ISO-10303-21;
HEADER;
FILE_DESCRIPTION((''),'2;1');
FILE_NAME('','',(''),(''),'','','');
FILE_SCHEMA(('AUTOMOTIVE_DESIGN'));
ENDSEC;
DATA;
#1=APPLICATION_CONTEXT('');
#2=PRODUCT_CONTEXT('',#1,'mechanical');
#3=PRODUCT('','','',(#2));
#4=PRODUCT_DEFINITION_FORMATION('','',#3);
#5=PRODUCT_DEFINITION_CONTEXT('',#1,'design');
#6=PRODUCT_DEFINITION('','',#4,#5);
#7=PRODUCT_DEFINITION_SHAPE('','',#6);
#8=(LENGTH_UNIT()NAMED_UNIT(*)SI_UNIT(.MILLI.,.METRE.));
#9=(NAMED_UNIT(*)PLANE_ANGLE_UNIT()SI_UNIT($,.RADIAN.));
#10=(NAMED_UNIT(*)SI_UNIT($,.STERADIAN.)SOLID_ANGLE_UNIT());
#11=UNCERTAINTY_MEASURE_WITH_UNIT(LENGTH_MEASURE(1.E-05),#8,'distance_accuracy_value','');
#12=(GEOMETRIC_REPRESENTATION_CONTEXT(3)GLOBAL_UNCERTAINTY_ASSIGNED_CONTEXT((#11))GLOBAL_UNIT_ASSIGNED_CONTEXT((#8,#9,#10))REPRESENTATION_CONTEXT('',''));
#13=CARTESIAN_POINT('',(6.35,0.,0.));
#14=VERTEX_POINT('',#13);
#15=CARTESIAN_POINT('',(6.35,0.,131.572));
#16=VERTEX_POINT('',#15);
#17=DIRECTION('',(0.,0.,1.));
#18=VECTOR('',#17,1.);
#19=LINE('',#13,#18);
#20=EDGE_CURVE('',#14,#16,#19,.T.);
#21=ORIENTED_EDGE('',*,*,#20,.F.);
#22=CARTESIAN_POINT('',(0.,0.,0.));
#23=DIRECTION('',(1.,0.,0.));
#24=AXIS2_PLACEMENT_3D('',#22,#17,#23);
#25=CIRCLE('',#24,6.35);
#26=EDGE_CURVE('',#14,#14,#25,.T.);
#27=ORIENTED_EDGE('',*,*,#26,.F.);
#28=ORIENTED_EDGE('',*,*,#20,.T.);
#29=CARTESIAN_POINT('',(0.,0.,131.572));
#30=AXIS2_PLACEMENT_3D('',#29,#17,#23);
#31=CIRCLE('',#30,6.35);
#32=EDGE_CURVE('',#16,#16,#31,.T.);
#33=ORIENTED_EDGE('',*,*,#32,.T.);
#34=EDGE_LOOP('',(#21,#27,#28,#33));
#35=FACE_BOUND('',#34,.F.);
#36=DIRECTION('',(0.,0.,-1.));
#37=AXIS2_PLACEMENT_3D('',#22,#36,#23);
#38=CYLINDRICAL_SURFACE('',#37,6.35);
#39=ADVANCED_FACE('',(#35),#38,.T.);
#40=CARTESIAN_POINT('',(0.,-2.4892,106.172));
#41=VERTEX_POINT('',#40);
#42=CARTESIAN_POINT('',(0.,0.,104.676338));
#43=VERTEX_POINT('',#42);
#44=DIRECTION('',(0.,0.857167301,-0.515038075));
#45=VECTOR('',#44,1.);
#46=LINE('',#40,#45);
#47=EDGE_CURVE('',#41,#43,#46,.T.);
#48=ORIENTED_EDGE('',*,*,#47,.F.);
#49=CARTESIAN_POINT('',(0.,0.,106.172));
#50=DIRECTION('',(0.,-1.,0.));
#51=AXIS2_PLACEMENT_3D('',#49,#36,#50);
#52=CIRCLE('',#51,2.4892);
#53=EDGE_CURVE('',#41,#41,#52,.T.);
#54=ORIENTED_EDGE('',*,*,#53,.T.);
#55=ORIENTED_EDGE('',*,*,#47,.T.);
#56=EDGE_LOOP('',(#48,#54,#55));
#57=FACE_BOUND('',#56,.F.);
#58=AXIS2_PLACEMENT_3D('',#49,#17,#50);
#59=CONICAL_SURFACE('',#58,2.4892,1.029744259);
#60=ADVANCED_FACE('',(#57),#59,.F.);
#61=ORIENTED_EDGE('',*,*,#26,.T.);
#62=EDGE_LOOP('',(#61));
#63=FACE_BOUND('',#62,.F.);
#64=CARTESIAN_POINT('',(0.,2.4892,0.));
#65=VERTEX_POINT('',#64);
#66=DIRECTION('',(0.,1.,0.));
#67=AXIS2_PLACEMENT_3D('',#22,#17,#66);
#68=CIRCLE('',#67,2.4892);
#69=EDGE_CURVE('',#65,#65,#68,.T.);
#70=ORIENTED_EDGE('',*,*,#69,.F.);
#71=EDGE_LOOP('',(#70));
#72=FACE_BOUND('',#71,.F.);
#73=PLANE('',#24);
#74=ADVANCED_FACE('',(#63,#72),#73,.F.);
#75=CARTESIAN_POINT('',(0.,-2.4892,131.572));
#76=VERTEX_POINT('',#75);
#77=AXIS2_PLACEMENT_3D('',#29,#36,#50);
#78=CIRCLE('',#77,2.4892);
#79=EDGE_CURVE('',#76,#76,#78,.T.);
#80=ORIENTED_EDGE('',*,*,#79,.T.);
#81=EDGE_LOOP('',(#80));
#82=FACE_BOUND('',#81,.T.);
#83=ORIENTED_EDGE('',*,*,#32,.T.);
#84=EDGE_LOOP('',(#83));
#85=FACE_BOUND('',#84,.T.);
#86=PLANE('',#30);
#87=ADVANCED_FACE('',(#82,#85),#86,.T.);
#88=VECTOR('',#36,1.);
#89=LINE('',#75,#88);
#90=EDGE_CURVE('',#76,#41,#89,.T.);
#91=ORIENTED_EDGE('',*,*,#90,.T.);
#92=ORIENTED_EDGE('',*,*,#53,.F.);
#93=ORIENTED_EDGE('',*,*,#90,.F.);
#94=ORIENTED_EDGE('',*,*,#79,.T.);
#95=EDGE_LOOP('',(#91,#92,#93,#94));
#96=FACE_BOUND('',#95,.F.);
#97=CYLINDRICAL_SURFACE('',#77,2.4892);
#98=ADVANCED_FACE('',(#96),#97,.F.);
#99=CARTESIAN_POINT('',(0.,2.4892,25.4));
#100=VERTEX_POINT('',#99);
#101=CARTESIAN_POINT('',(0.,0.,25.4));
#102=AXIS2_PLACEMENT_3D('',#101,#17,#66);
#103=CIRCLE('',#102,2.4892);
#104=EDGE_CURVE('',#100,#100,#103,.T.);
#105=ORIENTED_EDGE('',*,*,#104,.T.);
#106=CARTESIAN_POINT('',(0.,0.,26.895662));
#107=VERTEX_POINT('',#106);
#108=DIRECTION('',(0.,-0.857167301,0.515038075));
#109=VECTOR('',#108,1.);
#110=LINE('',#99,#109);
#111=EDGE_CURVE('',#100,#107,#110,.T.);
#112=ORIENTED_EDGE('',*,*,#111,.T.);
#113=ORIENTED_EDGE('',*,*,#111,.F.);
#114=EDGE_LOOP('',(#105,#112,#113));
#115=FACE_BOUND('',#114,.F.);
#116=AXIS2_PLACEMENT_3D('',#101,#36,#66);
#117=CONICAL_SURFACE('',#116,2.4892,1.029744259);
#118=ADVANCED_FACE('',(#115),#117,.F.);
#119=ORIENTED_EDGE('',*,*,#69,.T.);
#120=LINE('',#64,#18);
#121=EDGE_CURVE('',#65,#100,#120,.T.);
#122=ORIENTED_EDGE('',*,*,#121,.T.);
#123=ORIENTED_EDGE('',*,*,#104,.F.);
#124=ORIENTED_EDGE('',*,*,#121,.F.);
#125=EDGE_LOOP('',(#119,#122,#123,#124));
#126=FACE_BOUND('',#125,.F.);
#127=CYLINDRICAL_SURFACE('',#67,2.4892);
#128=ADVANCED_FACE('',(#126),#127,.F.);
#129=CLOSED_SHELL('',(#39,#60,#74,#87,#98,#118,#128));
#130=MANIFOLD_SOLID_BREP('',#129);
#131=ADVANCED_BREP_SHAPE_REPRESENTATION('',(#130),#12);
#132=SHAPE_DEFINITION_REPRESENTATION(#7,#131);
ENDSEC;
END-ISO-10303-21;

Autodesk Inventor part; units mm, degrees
ref_plane "YZ Plane" through (0, 0, 0) normal (1, 0, 0) x (0, 1, 0)
ref_plane "XZ Plane" through (0, 0, 0) normal (0, 1, 0) x (-1, 0, 0)
ref_plane "XY Plane" through (0, 0, 0) normal (0, 0, 1) x (1, 0, 0)
sketch "Sketch1" plane through (0, 0, 0) normal (0, 0, 1) x (1, 0, 0)
  circle A0 centre (0, 0) radius 6.35
  dimension "d0" = 12.7
extrude "Extrusion1" add sketch "Sketch1" along normal blind 131.572
sketch "Sketch2" plane through (0, 0, 131.572) normal (0, 0, 1) x (1, 0, 0)
  circle A0 centre (0, 0) radius 6.35 projected
hole "Hole1" at (0, 0, 131.572) direction (0, 0, -1) diameter 4.9784 depth 25.4 tip angle 118 thread size "1/4-20 UNC" class "2B" standard "ANSI Unified Screw Threads"
sketch "Sketch3" plane through (0, 0, 0) normal (0, 0, -1) x (-1, 0, 0)
  circle A0 centre (0, 0) radius 6.35 projected
hole "Hole2" at (0, 0, 0) direction (0, 0, 1) diameter 4.9784 depth 25.4 tip angle 118 thread size "1/4-20 UNC" class "2B" standard "ANSI Unified Screw Threads"
properties part number "Axle Nick" material "Stainless Steel"
